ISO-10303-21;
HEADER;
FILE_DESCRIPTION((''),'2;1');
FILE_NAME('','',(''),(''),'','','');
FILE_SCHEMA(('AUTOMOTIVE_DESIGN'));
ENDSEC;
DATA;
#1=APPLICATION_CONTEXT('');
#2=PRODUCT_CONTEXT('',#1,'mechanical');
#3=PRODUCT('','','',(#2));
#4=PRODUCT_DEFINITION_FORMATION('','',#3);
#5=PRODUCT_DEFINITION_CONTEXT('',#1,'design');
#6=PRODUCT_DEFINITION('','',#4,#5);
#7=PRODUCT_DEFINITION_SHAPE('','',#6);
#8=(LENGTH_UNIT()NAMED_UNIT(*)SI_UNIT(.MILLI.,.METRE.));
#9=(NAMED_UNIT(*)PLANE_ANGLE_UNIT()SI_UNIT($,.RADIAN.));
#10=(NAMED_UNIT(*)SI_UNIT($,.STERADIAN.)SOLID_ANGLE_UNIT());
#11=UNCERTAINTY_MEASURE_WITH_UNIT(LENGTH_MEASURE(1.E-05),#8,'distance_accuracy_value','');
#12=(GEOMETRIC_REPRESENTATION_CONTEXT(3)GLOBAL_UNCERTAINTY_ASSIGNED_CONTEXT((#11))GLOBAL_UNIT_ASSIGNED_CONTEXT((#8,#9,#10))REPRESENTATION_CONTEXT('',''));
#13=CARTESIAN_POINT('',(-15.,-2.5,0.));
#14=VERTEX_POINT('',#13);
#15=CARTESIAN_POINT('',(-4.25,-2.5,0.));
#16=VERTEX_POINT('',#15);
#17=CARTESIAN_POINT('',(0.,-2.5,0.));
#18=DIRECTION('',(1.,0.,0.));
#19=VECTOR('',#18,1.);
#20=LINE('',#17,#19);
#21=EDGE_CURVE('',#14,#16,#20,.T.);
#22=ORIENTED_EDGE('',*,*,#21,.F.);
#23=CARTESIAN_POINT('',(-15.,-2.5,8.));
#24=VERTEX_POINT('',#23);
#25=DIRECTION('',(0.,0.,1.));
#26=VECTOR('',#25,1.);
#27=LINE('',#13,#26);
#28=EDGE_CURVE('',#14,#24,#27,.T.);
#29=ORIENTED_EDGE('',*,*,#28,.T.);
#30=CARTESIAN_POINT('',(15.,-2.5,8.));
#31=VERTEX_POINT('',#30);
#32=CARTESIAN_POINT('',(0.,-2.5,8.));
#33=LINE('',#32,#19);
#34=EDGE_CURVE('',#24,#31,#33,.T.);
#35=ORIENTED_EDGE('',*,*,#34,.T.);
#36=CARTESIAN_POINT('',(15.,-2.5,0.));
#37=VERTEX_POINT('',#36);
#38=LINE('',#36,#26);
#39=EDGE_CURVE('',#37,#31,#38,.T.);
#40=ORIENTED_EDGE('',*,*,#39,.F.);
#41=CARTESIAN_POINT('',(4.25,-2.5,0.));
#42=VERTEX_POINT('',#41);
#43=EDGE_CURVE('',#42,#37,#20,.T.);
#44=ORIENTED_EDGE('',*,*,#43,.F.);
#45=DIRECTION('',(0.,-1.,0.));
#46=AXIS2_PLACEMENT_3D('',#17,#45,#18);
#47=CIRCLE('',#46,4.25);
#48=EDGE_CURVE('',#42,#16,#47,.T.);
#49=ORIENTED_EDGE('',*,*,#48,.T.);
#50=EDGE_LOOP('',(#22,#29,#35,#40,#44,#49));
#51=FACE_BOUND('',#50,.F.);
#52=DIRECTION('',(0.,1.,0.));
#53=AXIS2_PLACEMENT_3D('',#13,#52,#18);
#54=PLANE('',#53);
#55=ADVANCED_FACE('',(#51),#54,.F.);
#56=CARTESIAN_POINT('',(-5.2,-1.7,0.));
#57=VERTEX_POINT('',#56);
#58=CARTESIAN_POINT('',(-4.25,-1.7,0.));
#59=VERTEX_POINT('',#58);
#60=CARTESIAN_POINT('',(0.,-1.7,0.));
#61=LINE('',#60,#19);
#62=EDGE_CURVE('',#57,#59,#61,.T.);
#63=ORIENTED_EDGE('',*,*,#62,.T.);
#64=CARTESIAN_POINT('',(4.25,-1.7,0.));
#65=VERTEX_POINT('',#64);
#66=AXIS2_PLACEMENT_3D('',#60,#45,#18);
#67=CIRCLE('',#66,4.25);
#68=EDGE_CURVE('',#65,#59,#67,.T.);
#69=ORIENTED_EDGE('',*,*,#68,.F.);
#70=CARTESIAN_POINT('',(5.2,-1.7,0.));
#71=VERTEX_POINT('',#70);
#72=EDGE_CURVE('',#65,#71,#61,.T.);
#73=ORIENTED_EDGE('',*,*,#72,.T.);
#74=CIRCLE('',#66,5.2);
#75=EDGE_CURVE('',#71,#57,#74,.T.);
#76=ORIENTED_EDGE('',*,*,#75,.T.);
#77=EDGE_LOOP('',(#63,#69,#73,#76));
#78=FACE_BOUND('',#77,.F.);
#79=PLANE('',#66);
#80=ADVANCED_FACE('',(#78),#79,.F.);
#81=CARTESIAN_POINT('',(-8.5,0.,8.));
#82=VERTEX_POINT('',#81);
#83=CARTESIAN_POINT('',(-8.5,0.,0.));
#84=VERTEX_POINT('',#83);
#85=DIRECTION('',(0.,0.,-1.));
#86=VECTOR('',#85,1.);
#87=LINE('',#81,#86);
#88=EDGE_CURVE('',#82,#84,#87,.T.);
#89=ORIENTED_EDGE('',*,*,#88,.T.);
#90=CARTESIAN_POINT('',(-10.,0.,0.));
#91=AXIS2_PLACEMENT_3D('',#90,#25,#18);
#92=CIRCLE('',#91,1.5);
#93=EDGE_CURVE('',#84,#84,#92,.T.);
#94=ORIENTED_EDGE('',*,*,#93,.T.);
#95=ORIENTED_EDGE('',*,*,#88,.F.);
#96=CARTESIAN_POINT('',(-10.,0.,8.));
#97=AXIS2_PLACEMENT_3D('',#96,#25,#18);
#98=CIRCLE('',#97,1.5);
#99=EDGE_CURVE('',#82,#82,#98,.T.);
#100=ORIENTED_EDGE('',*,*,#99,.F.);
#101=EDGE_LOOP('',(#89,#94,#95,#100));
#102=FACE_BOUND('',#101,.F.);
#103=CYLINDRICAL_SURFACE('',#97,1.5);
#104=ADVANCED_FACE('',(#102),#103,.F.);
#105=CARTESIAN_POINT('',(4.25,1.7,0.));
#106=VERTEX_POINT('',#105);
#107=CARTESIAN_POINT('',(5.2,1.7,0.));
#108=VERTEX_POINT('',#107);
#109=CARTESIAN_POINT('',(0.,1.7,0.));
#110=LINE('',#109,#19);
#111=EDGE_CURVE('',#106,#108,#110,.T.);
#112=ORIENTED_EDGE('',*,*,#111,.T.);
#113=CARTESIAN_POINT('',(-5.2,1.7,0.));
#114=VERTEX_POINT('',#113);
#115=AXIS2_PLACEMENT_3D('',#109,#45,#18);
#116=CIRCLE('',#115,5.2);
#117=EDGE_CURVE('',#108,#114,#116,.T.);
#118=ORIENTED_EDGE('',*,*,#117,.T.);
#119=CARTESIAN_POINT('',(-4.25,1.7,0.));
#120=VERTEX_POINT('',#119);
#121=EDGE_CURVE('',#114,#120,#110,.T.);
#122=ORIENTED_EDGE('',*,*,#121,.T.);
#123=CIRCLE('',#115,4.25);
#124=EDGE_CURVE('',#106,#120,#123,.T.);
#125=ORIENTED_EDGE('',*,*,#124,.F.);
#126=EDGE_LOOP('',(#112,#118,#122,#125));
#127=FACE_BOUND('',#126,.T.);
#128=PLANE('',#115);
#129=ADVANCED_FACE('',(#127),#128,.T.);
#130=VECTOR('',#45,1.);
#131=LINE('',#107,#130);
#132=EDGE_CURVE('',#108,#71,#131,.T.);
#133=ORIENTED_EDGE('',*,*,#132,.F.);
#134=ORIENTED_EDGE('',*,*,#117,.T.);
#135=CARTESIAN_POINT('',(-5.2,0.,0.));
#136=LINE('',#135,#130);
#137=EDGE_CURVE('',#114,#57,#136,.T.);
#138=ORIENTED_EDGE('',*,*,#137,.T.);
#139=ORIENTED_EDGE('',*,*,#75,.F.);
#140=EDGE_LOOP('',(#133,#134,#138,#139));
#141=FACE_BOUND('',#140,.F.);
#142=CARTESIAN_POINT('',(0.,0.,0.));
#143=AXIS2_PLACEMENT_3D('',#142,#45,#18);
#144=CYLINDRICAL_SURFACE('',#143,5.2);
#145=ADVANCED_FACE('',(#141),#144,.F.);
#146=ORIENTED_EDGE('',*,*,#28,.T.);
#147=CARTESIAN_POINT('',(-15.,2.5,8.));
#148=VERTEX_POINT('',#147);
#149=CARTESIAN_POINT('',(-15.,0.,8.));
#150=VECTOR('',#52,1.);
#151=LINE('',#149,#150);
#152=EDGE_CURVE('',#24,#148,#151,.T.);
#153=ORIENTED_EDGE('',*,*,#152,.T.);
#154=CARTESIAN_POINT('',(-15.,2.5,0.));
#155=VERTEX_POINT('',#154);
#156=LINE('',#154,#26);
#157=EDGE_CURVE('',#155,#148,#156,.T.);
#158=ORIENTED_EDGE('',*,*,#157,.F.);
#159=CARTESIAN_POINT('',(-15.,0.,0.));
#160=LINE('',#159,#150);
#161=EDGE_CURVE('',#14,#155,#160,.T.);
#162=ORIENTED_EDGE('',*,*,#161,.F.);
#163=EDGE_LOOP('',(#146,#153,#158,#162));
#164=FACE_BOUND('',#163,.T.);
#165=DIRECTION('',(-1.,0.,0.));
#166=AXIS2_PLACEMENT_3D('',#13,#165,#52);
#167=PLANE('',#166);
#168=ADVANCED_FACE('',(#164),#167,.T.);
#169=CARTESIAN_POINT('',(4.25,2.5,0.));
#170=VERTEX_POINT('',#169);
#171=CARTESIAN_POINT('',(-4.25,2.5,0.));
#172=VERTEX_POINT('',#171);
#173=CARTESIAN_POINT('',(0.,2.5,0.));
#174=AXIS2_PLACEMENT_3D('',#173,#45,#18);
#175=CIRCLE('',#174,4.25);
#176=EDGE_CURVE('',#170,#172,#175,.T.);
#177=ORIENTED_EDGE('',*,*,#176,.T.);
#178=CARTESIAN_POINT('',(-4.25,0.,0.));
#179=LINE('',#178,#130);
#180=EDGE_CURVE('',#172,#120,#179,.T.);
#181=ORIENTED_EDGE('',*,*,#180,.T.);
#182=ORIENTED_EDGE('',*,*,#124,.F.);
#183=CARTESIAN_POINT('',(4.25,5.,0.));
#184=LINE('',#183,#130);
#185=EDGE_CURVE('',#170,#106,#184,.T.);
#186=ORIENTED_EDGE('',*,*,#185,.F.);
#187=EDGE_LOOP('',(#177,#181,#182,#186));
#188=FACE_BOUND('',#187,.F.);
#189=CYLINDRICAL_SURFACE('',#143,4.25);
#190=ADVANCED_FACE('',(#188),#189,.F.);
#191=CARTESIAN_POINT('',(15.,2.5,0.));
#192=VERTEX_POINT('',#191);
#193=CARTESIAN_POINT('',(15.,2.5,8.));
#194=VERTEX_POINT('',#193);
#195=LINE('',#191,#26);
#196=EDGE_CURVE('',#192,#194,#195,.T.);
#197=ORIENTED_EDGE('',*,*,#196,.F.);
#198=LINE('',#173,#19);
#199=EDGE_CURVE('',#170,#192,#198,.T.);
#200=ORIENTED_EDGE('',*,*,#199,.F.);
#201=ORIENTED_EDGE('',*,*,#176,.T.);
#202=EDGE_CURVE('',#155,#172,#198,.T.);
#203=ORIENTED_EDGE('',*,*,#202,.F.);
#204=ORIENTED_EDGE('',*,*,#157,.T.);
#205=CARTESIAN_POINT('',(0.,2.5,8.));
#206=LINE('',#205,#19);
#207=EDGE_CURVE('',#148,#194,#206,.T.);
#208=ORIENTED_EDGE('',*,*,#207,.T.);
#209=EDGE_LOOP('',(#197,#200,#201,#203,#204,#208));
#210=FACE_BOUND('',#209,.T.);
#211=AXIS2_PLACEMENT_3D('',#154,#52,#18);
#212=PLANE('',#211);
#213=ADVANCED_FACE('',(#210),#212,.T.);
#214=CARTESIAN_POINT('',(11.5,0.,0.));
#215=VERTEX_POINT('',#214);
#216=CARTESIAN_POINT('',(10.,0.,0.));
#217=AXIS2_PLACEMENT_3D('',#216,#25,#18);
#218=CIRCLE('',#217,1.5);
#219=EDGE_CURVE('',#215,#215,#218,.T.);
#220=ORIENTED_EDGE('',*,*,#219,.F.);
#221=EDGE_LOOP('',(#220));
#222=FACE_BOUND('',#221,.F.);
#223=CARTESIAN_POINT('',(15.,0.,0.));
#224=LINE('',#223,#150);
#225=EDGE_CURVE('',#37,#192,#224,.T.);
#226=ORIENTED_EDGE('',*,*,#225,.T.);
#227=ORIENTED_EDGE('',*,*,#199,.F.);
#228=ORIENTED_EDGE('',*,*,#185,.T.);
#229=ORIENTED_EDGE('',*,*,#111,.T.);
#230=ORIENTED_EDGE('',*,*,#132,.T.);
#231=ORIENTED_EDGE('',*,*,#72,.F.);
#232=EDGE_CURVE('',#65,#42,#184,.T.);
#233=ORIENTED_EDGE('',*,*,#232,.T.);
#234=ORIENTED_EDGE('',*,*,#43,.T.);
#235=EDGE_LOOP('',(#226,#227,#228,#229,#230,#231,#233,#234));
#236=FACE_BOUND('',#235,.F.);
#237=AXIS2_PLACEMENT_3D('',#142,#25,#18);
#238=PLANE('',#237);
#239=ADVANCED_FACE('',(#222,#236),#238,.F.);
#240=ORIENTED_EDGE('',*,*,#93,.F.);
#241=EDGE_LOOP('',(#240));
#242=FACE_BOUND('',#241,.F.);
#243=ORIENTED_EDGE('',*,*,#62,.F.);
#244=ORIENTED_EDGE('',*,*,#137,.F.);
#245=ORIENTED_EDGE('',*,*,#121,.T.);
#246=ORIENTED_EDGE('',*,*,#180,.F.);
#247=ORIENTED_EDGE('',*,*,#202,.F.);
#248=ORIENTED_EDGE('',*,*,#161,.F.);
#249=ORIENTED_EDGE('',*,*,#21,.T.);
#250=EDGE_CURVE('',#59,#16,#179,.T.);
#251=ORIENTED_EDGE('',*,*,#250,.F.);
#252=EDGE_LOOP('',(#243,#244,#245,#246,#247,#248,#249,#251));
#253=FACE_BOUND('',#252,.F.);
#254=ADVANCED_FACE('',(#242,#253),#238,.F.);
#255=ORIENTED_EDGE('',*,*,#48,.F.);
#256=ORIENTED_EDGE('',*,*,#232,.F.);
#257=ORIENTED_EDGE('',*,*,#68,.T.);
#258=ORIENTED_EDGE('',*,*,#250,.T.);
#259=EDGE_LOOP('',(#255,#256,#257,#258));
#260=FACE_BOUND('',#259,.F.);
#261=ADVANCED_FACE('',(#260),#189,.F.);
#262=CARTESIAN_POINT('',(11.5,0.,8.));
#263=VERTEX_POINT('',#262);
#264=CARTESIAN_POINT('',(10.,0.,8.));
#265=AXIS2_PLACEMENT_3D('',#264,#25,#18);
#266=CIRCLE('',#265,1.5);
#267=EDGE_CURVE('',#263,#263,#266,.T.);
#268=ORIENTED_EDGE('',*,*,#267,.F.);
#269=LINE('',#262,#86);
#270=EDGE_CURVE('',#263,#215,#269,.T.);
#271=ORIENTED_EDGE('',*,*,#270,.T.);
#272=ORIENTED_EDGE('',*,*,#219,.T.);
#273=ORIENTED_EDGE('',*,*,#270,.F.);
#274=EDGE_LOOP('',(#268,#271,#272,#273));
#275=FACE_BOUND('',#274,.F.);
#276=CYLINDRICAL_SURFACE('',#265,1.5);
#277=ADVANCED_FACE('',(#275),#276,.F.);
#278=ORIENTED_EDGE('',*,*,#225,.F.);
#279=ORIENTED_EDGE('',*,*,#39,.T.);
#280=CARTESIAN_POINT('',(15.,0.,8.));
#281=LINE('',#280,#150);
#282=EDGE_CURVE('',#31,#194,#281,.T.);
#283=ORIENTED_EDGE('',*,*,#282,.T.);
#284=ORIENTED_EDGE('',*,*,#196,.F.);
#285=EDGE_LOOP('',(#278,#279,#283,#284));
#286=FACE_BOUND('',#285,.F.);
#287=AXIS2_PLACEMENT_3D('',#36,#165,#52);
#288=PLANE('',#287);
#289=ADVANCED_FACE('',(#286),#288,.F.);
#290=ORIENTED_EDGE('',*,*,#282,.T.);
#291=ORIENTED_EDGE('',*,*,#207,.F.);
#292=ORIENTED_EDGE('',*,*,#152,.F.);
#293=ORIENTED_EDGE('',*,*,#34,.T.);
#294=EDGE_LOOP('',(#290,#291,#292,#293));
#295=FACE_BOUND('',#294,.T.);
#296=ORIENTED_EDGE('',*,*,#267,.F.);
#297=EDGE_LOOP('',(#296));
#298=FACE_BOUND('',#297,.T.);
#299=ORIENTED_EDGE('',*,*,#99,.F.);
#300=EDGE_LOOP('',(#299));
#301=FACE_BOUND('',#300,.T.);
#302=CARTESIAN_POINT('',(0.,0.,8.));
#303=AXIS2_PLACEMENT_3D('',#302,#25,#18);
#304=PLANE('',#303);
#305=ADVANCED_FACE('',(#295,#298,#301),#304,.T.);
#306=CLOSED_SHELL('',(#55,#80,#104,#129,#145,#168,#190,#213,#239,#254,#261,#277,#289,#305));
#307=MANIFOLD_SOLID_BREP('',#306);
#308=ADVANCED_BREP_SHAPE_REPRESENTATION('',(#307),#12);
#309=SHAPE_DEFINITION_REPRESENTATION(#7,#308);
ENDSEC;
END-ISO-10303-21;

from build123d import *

# Parameters (mm, degrees)
F0_W     = 30
F0_H     = 5
F1_DEPTH = 8
F2_R     = 4.25
F3_DEPTH = 5
F4_R     = 5.2
F5_DEPTH = 1.7
F6_R     = 1.5
F7_DEPTH = 8.001


with BuildPart() as f1:
    # F0 (on Top) → F1 (new body)
    with BuildSketch(Plane.XY):
        Rectangle(F0_W, F0_H)
    extrude(amount=F1_DEPTH)

    # F2 (on Front) → F3 (cut, symmetric)
    with BuildSketch(Plane.XZ):
        Circle(F2_R)
    extrude(amount=F3_DEPTH, both=True, mode=Mode.SUBTRACT)

    # F4 (on Front) → F5 (cut, symmetric)
    with BuildSketch(Plane.XZ):
        Circle(F4_R)
    extrude(amount=F5_DEPTH, both=True, mode=Mode.SUBTRACT)

    # F6 (on face) → F7 (cut, through all)
    with BuildSketch(Plane.XY.offset(8)):
        with Locations((-10, 0)):
            Circle(F6_R)
        with Locations((10, 0)):
            Circle(F6_R)
    extrude(amount=-F7_DEPTH, mode=Mode.SUBTRACT)


solid = f1.part
